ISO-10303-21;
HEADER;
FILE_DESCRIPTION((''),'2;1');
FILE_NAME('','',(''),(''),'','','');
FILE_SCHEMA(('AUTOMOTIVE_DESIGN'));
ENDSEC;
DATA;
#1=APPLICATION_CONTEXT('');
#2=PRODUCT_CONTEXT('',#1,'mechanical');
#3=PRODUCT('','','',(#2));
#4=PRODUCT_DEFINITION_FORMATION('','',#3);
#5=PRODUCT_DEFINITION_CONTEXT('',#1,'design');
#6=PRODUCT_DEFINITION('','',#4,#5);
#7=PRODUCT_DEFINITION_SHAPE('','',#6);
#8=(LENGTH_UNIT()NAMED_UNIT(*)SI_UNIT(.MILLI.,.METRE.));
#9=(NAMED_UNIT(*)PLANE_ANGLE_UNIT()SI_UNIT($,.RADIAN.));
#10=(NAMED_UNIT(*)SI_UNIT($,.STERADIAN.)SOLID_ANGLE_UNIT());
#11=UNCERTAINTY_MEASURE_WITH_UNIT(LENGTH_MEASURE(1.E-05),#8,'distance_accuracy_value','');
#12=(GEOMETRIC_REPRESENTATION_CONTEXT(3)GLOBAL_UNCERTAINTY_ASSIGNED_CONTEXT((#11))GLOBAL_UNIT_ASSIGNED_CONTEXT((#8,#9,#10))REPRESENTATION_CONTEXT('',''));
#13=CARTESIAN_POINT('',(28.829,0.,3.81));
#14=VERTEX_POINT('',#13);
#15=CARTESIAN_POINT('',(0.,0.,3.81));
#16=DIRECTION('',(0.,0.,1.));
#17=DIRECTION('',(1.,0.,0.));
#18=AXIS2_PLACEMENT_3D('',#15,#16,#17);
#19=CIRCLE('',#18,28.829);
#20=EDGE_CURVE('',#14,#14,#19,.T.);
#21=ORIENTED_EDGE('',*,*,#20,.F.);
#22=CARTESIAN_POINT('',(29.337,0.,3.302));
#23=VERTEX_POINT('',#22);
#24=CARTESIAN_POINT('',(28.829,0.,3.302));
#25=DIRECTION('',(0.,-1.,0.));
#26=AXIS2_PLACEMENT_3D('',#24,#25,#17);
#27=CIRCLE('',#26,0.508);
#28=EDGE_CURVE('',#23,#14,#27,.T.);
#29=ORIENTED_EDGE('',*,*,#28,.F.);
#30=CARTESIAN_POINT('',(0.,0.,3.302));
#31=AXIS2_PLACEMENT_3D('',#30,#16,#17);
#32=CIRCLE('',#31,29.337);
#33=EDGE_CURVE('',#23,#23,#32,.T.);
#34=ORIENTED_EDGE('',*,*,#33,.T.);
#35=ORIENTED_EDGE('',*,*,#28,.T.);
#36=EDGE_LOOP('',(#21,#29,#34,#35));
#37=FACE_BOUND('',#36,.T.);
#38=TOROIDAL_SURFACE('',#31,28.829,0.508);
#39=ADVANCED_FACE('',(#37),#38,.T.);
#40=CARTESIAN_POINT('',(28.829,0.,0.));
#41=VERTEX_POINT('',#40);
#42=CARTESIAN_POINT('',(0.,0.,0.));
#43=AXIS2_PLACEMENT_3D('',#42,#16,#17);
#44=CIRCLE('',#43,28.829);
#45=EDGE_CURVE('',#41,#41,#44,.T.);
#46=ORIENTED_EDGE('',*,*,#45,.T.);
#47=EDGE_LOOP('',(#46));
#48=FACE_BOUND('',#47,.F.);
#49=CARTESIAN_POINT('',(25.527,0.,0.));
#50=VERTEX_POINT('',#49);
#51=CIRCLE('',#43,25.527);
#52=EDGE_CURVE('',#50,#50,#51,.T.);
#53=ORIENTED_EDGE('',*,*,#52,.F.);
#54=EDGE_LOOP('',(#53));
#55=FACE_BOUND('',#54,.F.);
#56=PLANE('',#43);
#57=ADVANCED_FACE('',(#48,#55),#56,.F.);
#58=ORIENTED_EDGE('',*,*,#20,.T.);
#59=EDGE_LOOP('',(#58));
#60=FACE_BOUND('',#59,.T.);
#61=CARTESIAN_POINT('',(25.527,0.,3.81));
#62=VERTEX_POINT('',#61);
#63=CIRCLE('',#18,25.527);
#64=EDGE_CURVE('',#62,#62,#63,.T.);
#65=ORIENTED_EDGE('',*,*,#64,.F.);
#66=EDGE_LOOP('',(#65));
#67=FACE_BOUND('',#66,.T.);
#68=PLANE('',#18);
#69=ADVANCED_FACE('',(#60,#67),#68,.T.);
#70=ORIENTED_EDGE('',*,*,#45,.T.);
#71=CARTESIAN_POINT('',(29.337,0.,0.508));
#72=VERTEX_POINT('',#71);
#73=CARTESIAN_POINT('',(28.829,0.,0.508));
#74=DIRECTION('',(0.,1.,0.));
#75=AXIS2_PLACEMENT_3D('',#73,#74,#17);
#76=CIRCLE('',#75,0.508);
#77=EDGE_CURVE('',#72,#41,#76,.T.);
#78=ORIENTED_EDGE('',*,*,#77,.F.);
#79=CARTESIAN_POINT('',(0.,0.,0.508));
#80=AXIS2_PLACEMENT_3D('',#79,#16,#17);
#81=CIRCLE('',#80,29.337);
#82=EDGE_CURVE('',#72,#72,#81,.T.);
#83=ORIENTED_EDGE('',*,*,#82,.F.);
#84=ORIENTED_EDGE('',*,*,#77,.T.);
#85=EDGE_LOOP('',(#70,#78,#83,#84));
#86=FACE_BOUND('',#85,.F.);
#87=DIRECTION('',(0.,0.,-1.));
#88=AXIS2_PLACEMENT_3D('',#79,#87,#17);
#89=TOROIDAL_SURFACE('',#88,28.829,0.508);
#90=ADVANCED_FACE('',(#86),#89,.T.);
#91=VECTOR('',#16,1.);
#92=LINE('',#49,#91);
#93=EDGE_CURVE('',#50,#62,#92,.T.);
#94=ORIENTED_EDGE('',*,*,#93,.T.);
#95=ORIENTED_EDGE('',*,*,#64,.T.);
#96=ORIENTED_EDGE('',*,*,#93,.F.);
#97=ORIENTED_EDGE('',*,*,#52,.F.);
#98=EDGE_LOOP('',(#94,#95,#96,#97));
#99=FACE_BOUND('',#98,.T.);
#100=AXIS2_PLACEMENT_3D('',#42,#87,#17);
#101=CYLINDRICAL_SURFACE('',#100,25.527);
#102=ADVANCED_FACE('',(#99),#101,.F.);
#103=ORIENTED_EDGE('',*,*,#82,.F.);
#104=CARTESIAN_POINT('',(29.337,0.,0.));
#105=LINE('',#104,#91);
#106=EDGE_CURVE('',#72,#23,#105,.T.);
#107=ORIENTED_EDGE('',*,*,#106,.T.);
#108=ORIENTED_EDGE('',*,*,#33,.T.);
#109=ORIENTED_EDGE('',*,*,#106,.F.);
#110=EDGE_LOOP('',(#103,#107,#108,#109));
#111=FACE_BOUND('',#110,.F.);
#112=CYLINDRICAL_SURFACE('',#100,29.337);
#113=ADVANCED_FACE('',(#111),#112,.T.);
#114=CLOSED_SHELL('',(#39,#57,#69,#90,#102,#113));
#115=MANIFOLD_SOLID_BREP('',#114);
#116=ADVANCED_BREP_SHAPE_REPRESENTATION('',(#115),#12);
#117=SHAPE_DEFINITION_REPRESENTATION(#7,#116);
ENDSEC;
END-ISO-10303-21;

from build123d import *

# Parameters (mm, degrees)
F0_R     = 29.337
F0_R_2   = 25.527
F1_DEPTH = 3.81
F2_R     = 0.508
F3_R     = 0.508


with BuildPart() as f1:
    # F0 (on Top) → F1 (new body)
    with BuildSketch(Plane.XY):
        Circle(F0_R)
        Circle(F0_R_2, mode=Mode.SUBTRACT)
    extrude(amount=F1_DEPTH)

    # F2
    f2_edges = [f1.edges().sort_by_distance(p)[0] for p in [
        (-29.337, 0, 3.81),
    ]]
    fillet(f2_edges, radius=F2_R)

    # F3
    f3_edges = [f1.edges().sort_by_distance(p)[0] for p in [
        (-29.337, 0, 0),
    ]]
    fillet(f3_edges, radius=F3_R)


solid = f1.part
